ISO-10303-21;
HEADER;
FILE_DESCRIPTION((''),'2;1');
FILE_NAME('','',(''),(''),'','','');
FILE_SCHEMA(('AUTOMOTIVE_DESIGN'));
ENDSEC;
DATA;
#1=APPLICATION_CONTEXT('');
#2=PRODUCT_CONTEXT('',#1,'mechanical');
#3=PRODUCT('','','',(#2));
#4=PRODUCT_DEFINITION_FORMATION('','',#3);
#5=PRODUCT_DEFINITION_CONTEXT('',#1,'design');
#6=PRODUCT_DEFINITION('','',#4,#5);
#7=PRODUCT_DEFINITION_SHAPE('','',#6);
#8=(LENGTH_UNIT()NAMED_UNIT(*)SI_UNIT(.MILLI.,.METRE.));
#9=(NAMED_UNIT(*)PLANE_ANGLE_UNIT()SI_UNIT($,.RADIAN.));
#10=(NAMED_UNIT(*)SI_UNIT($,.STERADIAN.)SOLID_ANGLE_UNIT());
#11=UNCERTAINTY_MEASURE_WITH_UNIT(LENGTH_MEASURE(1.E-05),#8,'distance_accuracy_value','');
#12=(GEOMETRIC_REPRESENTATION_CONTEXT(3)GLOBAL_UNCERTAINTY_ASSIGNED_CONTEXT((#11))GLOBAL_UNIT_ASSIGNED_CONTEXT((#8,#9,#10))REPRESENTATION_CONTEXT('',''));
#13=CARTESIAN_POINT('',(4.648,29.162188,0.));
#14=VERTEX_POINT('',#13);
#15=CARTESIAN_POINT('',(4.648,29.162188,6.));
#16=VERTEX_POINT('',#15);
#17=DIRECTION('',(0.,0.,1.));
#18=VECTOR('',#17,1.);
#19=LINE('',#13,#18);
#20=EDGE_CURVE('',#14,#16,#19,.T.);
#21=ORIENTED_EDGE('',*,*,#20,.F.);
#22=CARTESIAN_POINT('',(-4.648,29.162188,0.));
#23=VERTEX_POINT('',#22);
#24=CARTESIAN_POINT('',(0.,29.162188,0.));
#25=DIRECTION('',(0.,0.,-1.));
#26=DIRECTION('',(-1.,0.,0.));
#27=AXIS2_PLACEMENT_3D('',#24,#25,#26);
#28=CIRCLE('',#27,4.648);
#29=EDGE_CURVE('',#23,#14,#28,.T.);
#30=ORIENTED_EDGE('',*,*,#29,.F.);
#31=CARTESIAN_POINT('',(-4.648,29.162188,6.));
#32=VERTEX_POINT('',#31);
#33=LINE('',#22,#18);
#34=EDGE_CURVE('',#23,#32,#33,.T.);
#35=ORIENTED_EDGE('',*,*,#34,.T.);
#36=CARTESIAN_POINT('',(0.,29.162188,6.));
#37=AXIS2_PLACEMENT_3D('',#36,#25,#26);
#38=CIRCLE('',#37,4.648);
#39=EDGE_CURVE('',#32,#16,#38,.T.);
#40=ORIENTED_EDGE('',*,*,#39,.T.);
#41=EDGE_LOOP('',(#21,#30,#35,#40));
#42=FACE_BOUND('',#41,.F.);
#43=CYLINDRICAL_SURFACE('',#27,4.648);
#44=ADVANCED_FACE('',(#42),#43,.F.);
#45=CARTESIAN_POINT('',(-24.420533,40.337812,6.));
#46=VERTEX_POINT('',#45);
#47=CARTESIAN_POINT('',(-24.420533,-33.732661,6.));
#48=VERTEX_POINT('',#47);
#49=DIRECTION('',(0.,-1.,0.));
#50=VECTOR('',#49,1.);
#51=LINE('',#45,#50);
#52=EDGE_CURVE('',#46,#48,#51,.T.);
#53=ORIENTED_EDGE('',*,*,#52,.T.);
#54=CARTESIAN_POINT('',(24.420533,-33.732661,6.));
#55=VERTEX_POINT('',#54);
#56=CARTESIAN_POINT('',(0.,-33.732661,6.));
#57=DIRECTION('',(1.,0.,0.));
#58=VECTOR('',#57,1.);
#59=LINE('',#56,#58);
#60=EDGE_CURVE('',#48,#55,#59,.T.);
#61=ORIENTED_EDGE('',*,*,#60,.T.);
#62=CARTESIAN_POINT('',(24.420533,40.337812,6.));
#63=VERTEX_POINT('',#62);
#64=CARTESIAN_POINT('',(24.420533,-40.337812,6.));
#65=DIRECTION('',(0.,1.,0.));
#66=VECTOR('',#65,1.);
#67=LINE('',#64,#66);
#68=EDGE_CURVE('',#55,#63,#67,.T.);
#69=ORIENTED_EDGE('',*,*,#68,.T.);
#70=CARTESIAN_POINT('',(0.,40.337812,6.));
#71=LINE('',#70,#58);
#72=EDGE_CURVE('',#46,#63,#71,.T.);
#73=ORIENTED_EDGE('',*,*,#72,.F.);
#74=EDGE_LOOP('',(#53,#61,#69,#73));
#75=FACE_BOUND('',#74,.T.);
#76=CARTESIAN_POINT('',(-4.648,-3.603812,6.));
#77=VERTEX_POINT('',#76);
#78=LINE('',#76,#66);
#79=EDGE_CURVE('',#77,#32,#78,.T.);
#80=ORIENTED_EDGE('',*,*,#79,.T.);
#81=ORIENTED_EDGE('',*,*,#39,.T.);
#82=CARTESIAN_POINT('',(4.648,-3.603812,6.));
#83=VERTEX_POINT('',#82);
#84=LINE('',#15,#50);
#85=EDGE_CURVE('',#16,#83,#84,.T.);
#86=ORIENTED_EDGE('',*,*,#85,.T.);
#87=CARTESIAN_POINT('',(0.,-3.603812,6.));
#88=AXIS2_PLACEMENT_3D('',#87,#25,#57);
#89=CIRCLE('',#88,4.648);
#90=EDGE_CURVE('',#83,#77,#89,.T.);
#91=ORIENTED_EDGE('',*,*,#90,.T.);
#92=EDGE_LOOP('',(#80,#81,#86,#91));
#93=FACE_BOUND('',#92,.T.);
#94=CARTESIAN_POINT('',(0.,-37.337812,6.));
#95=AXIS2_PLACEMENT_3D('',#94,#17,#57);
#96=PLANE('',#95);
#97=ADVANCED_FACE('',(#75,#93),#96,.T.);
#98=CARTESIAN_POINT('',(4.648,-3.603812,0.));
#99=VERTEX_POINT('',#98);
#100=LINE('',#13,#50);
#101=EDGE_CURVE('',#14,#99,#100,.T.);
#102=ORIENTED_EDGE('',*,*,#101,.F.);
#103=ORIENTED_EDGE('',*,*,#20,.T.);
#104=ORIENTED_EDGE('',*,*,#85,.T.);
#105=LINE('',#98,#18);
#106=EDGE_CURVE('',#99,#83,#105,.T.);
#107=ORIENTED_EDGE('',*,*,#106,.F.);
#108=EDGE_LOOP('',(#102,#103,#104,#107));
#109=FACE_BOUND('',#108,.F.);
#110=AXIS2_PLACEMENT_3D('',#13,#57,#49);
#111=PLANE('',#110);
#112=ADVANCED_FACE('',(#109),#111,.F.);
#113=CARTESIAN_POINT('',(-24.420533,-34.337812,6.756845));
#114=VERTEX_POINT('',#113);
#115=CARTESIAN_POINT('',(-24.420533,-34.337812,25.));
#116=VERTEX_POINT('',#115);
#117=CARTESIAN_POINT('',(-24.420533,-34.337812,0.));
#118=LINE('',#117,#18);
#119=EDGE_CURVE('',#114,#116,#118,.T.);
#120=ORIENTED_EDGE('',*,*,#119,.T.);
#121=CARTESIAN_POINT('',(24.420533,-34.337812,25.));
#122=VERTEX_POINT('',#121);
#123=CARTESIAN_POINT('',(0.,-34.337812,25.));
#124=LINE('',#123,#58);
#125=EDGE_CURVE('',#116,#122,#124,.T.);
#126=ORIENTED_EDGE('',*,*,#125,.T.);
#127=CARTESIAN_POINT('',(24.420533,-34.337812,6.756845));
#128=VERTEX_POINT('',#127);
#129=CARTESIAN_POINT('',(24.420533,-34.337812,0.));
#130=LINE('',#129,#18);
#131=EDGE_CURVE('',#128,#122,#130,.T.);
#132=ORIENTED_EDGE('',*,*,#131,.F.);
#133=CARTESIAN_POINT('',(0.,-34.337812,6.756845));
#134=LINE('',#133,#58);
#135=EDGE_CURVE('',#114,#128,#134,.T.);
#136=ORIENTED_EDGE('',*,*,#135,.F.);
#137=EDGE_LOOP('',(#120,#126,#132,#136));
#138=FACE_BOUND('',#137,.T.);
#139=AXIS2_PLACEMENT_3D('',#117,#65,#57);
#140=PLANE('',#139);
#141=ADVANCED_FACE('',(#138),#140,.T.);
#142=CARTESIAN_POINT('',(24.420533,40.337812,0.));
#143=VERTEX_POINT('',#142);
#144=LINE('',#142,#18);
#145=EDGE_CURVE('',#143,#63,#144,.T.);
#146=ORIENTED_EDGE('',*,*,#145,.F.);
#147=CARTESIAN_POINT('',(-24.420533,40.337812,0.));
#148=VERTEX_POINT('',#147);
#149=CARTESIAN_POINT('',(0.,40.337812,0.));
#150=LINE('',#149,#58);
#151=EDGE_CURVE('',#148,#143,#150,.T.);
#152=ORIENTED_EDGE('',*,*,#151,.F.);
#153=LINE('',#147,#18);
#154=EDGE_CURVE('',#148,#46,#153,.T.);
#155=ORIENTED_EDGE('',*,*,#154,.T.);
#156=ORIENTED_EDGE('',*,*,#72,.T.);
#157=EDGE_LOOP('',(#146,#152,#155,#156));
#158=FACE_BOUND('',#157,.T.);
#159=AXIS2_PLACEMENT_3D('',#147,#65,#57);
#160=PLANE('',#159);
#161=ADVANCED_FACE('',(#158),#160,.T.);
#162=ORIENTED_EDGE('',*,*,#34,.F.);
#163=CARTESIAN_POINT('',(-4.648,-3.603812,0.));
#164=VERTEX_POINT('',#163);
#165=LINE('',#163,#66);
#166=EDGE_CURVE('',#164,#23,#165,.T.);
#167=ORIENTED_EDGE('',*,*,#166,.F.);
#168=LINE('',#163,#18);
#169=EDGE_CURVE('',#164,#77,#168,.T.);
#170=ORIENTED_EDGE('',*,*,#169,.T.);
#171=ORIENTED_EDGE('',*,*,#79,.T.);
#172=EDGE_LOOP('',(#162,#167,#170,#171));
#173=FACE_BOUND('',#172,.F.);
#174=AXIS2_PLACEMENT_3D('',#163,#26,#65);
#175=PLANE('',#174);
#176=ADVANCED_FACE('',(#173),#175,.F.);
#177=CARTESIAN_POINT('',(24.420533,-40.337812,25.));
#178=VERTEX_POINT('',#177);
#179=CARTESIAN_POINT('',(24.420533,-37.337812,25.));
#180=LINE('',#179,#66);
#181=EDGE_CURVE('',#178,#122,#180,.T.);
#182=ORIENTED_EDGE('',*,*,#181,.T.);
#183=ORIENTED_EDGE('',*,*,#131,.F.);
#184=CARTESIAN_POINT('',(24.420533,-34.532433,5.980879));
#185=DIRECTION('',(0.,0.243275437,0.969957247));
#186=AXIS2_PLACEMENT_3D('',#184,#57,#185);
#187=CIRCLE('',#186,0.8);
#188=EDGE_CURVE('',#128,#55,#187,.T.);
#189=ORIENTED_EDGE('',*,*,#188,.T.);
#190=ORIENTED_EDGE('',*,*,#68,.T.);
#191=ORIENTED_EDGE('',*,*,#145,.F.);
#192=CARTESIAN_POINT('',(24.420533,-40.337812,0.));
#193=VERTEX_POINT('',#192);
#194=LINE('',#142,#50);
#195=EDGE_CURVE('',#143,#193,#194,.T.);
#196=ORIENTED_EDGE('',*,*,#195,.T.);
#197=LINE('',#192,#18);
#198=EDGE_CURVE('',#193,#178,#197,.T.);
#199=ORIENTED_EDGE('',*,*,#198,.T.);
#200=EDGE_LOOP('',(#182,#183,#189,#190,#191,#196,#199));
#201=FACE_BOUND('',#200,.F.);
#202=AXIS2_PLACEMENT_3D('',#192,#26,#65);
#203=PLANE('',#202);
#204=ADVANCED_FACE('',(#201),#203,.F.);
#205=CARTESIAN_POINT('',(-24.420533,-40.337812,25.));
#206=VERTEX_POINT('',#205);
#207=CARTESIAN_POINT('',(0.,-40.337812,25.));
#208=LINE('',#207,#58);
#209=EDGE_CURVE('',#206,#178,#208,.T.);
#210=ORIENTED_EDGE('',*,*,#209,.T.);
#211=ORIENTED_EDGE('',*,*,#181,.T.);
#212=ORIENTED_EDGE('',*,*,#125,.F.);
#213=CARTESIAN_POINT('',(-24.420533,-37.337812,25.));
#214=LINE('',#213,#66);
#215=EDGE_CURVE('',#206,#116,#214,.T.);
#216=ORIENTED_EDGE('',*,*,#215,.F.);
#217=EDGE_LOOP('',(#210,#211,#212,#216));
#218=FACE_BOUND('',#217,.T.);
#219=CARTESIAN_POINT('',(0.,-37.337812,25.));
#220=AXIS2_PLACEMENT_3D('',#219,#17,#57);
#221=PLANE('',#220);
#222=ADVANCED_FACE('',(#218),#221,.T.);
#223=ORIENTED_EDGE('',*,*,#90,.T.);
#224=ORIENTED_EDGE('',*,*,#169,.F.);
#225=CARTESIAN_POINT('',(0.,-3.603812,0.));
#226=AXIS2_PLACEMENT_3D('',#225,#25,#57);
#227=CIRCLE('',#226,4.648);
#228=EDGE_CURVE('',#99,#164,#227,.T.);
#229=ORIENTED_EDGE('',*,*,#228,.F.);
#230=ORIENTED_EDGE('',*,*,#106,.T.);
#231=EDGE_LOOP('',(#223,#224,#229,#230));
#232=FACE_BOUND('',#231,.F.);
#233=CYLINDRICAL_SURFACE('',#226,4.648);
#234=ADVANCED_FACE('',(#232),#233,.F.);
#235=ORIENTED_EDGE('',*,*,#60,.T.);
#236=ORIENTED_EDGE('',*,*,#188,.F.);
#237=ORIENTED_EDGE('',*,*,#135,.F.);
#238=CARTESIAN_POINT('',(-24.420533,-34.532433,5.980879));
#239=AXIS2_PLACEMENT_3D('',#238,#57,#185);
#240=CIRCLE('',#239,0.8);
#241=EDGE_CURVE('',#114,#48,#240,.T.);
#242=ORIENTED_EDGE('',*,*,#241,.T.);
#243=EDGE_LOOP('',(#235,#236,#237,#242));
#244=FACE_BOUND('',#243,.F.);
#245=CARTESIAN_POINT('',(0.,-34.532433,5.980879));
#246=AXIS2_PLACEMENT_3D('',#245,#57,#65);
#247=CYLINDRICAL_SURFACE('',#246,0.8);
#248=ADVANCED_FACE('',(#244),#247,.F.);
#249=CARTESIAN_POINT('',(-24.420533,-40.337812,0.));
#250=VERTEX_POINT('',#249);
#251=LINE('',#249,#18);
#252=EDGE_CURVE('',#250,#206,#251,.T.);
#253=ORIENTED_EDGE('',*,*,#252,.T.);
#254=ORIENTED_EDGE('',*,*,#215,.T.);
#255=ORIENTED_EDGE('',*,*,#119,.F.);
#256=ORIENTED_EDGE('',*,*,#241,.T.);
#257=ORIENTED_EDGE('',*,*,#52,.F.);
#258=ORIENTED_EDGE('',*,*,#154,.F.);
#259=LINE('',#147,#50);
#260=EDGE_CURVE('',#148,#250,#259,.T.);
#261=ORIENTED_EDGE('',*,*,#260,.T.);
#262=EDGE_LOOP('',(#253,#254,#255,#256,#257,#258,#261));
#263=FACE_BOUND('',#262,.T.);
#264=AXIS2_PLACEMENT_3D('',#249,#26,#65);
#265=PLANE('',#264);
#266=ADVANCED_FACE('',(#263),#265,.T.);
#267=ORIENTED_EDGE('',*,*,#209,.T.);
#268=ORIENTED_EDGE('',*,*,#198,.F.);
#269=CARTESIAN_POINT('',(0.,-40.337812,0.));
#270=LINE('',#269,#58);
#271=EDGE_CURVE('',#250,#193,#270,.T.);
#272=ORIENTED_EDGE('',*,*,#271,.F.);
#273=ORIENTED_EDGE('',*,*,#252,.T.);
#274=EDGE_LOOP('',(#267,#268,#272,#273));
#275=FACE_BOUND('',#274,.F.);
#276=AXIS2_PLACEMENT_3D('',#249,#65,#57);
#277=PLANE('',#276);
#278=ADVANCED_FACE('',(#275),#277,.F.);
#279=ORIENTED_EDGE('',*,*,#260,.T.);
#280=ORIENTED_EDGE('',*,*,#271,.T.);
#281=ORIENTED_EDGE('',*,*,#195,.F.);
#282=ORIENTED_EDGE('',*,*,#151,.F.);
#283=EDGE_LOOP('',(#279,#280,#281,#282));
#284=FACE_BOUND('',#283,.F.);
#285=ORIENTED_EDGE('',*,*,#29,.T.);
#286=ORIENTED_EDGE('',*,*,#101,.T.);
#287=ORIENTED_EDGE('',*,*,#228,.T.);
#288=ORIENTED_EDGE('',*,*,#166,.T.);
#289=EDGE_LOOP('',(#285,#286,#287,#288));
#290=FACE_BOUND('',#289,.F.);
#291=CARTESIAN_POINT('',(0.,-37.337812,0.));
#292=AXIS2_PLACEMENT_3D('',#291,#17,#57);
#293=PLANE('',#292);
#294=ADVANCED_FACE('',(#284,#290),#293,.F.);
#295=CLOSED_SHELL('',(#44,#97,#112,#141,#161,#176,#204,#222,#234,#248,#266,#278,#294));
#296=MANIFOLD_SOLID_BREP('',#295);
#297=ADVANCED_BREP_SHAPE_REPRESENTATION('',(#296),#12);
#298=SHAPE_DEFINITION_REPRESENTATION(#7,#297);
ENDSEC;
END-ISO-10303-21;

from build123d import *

# Parameters (mm, degrees)
F0_W     = 48.8410666585
F0_H     = 6
F1_DEPTH = 25
F0_H_2   = 74.675624311
F2_DEPTH = 6
F3_R     = 0.8
F4_DEPTH = 25.25


with BuildPart() as f1:
    # F0 (on Top) → F1 (new body)
    with BuildSketch(Plane.XY):
        with Locations((0, -37.3378121555)):
            Rectangle(F0_W, F0_H)
    extrude(amount=F1_DEPTH)

    # F0 (on Top) → F2 (join)
    with BuildSketch(Plane.XY):
        with Locations((0, -37.3378121555)):
            Rectangle(F0_W, F0_H)
        with Locations((0, 3)):
            Rectangle(F0_W, F0_H_2)
        with BuildLine():
            Line((4.648, 29.1621878445), (4.648, -3.6038121555))
            ThreePointArc((4.648, -3.6038121555), (0, -8.2518121555), (-4.648, -3.6038121555))
            Line((-4.648, -3.6038121555), (-4.648, 29.1621878445))
            ThreePointArc((-4.648, 29.1621878445), (0, 33.8101878445), (4.648, 29.1621878445))
        make_face(mode=Mode.SUBTRACT)
    extrude(amount=F2_DEPTH)

    # F3 (on Right) → F4 (cut, symmetric)
    with BuildSketch(Plane.YZ):
        with Locations((-34.5324325053, 5.9808787941)):
            Circle(F3_R)
    extrude(amount=F4_DEPTH, both=True, mode=Mode.SUBTRACT)


solid = f1.part
